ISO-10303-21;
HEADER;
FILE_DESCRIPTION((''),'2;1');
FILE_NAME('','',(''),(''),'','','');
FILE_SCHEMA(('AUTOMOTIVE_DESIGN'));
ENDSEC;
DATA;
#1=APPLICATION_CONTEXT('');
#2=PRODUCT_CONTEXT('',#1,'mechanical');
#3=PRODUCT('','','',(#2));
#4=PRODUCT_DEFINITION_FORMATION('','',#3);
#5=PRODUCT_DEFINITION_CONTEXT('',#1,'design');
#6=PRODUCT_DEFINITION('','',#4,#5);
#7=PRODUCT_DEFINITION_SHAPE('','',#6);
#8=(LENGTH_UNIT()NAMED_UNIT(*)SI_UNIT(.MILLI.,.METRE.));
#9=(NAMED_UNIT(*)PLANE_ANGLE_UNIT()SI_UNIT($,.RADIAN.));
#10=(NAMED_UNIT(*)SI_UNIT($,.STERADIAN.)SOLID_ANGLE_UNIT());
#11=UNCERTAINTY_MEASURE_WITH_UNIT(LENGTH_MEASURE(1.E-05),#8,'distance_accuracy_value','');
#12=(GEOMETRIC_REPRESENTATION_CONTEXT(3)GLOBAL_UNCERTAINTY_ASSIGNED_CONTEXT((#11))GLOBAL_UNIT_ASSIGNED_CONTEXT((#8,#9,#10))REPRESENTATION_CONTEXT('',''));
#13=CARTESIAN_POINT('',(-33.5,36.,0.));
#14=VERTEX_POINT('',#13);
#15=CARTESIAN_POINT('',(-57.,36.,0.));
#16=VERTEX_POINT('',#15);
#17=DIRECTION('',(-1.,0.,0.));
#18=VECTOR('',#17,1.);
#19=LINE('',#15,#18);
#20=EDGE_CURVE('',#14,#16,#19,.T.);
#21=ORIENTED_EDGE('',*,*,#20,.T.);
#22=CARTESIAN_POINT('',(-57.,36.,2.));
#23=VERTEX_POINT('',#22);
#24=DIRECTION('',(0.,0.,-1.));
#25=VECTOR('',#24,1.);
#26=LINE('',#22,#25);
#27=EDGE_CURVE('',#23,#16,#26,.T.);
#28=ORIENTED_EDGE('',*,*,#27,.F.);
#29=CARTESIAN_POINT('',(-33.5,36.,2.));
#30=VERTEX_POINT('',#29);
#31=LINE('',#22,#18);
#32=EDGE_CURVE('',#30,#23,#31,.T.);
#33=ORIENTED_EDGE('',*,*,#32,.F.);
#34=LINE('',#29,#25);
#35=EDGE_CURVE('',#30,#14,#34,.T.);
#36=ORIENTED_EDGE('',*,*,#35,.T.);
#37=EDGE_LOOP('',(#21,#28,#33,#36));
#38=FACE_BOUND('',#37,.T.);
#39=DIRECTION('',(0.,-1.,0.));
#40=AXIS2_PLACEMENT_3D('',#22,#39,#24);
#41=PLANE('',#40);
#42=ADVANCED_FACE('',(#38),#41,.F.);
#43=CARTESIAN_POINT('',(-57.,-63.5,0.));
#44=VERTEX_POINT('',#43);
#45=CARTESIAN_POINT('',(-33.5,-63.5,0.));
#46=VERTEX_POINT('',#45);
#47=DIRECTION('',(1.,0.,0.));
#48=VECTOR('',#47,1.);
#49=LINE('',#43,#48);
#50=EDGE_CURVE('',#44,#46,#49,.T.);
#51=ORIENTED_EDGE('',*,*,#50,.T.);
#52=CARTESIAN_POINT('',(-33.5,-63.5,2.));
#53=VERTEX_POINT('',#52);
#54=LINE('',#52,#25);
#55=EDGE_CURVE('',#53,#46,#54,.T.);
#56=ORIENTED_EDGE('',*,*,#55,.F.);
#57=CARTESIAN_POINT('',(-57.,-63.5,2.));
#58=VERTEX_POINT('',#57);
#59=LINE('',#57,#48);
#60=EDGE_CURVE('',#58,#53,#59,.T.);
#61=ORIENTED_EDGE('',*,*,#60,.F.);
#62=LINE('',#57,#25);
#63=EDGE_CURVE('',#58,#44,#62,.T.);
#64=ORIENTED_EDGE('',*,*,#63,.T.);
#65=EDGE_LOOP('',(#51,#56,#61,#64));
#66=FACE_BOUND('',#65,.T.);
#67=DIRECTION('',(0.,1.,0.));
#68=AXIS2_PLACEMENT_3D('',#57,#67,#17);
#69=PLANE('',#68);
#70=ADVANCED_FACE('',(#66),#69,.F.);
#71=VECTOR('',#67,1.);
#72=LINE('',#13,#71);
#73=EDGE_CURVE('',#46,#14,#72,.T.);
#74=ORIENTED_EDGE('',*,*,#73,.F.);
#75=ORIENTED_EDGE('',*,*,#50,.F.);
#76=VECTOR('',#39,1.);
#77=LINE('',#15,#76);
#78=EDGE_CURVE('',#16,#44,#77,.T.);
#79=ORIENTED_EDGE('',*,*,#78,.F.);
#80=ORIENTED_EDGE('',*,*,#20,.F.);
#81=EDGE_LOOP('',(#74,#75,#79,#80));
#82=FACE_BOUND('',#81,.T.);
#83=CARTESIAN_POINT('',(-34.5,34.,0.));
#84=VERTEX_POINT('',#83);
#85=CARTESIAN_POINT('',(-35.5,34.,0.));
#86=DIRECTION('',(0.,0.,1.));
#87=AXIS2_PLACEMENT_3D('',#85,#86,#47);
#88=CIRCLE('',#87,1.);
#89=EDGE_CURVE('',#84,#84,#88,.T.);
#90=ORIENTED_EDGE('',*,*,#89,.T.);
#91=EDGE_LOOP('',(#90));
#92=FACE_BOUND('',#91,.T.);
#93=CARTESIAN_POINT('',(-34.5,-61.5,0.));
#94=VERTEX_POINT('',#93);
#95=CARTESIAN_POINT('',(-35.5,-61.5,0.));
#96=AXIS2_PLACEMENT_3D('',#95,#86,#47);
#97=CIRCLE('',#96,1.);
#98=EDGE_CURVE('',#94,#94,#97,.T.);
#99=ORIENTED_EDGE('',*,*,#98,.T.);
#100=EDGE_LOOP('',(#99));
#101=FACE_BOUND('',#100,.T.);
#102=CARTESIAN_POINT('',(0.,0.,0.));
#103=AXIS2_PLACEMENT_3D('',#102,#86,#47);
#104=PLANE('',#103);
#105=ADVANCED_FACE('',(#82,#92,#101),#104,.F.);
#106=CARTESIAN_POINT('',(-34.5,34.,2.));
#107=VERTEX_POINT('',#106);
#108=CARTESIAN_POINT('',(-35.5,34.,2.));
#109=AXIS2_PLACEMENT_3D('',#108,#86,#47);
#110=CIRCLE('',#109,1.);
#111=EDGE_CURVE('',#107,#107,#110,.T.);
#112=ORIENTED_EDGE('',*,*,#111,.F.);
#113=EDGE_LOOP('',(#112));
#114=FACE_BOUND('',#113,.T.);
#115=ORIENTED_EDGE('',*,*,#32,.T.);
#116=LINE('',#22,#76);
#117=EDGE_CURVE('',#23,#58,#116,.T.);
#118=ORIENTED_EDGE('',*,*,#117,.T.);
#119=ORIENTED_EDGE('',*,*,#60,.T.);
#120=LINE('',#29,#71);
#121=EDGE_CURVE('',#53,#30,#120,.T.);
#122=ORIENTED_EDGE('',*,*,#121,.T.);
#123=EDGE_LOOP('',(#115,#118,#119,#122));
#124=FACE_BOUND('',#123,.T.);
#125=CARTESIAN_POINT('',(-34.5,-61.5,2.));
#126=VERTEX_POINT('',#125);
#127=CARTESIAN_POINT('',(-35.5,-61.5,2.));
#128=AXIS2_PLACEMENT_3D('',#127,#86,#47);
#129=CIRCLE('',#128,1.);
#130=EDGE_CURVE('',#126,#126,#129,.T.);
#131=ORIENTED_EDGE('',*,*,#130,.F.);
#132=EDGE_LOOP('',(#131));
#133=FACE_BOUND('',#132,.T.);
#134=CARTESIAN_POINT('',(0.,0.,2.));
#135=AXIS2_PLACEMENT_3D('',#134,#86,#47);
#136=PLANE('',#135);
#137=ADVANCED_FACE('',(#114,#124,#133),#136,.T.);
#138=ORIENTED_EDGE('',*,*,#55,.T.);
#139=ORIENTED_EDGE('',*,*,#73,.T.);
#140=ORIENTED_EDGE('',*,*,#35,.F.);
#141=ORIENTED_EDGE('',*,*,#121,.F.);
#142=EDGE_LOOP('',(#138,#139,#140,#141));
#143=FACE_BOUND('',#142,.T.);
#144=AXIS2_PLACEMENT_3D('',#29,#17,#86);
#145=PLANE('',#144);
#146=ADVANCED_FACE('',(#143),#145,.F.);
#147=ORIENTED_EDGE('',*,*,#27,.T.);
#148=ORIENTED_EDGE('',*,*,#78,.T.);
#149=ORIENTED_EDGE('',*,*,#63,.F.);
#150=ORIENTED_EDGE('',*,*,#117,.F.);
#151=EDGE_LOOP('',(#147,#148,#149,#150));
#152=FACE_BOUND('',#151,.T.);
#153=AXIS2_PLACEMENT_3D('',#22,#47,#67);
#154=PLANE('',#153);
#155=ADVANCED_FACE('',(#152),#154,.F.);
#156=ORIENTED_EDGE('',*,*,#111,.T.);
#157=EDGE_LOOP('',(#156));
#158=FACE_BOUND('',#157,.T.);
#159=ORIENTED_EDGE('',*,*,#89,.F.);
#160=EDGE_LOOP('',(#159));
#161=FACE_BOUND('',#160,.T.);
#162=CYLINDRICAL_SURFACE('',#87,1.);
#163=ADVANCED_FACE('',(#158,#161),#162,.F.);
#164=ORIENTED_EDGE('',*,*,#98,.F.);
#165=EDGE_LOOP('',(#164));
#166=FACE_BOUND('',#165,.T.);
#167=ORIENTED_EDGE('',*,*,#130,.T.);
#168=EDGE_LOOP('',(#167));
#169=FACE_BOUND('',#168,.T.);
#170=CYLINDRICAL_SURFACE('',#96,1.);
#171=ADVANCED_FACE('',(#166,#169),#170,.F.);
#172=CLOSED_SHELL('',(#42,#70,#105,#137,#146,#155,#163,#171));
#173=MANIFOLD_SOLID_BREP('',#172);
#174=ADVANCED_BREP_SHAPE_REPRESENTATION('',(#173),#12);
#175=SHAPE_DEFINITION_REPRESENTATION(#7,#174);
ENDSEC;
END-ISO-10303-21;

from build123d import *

# Parameters (mm, degrees)
SKETCH1_W           = 23.5
SKETCH1_H           = 99.5
BOSS_EXTRUDE1_DEPTH = 2
SKETCH2_R           = 1
CUT_EXTRUDE1_DEPTH  = 3


with BuildPart() as part:
    # Sketch1 → Boss-Extrude1 (new body)
    with BuildSketch(Plane.XY):
        with Locations((-45.25, -13.75)):
            Rectangle(SKETCH1_W, SKETCH1_H)
    extrude(amount=BOSS_EXTRUDE1_DEPTH)

    # Sketch2 → Cut-Extrude1 (cut, through all)
    with BuildSketch(Plane.XY.offset(2)):
        with Locations((-35.5, 34)):
            Circle(SKETCH2_R)
        with Locations((-35.5, -61.5)):
            Circle(SKETCH2_R)
    extrude(amount=-CUT_EXTRUDE1_DEPTH, mode=Mode.SUBTRACT)


solid = part.part
